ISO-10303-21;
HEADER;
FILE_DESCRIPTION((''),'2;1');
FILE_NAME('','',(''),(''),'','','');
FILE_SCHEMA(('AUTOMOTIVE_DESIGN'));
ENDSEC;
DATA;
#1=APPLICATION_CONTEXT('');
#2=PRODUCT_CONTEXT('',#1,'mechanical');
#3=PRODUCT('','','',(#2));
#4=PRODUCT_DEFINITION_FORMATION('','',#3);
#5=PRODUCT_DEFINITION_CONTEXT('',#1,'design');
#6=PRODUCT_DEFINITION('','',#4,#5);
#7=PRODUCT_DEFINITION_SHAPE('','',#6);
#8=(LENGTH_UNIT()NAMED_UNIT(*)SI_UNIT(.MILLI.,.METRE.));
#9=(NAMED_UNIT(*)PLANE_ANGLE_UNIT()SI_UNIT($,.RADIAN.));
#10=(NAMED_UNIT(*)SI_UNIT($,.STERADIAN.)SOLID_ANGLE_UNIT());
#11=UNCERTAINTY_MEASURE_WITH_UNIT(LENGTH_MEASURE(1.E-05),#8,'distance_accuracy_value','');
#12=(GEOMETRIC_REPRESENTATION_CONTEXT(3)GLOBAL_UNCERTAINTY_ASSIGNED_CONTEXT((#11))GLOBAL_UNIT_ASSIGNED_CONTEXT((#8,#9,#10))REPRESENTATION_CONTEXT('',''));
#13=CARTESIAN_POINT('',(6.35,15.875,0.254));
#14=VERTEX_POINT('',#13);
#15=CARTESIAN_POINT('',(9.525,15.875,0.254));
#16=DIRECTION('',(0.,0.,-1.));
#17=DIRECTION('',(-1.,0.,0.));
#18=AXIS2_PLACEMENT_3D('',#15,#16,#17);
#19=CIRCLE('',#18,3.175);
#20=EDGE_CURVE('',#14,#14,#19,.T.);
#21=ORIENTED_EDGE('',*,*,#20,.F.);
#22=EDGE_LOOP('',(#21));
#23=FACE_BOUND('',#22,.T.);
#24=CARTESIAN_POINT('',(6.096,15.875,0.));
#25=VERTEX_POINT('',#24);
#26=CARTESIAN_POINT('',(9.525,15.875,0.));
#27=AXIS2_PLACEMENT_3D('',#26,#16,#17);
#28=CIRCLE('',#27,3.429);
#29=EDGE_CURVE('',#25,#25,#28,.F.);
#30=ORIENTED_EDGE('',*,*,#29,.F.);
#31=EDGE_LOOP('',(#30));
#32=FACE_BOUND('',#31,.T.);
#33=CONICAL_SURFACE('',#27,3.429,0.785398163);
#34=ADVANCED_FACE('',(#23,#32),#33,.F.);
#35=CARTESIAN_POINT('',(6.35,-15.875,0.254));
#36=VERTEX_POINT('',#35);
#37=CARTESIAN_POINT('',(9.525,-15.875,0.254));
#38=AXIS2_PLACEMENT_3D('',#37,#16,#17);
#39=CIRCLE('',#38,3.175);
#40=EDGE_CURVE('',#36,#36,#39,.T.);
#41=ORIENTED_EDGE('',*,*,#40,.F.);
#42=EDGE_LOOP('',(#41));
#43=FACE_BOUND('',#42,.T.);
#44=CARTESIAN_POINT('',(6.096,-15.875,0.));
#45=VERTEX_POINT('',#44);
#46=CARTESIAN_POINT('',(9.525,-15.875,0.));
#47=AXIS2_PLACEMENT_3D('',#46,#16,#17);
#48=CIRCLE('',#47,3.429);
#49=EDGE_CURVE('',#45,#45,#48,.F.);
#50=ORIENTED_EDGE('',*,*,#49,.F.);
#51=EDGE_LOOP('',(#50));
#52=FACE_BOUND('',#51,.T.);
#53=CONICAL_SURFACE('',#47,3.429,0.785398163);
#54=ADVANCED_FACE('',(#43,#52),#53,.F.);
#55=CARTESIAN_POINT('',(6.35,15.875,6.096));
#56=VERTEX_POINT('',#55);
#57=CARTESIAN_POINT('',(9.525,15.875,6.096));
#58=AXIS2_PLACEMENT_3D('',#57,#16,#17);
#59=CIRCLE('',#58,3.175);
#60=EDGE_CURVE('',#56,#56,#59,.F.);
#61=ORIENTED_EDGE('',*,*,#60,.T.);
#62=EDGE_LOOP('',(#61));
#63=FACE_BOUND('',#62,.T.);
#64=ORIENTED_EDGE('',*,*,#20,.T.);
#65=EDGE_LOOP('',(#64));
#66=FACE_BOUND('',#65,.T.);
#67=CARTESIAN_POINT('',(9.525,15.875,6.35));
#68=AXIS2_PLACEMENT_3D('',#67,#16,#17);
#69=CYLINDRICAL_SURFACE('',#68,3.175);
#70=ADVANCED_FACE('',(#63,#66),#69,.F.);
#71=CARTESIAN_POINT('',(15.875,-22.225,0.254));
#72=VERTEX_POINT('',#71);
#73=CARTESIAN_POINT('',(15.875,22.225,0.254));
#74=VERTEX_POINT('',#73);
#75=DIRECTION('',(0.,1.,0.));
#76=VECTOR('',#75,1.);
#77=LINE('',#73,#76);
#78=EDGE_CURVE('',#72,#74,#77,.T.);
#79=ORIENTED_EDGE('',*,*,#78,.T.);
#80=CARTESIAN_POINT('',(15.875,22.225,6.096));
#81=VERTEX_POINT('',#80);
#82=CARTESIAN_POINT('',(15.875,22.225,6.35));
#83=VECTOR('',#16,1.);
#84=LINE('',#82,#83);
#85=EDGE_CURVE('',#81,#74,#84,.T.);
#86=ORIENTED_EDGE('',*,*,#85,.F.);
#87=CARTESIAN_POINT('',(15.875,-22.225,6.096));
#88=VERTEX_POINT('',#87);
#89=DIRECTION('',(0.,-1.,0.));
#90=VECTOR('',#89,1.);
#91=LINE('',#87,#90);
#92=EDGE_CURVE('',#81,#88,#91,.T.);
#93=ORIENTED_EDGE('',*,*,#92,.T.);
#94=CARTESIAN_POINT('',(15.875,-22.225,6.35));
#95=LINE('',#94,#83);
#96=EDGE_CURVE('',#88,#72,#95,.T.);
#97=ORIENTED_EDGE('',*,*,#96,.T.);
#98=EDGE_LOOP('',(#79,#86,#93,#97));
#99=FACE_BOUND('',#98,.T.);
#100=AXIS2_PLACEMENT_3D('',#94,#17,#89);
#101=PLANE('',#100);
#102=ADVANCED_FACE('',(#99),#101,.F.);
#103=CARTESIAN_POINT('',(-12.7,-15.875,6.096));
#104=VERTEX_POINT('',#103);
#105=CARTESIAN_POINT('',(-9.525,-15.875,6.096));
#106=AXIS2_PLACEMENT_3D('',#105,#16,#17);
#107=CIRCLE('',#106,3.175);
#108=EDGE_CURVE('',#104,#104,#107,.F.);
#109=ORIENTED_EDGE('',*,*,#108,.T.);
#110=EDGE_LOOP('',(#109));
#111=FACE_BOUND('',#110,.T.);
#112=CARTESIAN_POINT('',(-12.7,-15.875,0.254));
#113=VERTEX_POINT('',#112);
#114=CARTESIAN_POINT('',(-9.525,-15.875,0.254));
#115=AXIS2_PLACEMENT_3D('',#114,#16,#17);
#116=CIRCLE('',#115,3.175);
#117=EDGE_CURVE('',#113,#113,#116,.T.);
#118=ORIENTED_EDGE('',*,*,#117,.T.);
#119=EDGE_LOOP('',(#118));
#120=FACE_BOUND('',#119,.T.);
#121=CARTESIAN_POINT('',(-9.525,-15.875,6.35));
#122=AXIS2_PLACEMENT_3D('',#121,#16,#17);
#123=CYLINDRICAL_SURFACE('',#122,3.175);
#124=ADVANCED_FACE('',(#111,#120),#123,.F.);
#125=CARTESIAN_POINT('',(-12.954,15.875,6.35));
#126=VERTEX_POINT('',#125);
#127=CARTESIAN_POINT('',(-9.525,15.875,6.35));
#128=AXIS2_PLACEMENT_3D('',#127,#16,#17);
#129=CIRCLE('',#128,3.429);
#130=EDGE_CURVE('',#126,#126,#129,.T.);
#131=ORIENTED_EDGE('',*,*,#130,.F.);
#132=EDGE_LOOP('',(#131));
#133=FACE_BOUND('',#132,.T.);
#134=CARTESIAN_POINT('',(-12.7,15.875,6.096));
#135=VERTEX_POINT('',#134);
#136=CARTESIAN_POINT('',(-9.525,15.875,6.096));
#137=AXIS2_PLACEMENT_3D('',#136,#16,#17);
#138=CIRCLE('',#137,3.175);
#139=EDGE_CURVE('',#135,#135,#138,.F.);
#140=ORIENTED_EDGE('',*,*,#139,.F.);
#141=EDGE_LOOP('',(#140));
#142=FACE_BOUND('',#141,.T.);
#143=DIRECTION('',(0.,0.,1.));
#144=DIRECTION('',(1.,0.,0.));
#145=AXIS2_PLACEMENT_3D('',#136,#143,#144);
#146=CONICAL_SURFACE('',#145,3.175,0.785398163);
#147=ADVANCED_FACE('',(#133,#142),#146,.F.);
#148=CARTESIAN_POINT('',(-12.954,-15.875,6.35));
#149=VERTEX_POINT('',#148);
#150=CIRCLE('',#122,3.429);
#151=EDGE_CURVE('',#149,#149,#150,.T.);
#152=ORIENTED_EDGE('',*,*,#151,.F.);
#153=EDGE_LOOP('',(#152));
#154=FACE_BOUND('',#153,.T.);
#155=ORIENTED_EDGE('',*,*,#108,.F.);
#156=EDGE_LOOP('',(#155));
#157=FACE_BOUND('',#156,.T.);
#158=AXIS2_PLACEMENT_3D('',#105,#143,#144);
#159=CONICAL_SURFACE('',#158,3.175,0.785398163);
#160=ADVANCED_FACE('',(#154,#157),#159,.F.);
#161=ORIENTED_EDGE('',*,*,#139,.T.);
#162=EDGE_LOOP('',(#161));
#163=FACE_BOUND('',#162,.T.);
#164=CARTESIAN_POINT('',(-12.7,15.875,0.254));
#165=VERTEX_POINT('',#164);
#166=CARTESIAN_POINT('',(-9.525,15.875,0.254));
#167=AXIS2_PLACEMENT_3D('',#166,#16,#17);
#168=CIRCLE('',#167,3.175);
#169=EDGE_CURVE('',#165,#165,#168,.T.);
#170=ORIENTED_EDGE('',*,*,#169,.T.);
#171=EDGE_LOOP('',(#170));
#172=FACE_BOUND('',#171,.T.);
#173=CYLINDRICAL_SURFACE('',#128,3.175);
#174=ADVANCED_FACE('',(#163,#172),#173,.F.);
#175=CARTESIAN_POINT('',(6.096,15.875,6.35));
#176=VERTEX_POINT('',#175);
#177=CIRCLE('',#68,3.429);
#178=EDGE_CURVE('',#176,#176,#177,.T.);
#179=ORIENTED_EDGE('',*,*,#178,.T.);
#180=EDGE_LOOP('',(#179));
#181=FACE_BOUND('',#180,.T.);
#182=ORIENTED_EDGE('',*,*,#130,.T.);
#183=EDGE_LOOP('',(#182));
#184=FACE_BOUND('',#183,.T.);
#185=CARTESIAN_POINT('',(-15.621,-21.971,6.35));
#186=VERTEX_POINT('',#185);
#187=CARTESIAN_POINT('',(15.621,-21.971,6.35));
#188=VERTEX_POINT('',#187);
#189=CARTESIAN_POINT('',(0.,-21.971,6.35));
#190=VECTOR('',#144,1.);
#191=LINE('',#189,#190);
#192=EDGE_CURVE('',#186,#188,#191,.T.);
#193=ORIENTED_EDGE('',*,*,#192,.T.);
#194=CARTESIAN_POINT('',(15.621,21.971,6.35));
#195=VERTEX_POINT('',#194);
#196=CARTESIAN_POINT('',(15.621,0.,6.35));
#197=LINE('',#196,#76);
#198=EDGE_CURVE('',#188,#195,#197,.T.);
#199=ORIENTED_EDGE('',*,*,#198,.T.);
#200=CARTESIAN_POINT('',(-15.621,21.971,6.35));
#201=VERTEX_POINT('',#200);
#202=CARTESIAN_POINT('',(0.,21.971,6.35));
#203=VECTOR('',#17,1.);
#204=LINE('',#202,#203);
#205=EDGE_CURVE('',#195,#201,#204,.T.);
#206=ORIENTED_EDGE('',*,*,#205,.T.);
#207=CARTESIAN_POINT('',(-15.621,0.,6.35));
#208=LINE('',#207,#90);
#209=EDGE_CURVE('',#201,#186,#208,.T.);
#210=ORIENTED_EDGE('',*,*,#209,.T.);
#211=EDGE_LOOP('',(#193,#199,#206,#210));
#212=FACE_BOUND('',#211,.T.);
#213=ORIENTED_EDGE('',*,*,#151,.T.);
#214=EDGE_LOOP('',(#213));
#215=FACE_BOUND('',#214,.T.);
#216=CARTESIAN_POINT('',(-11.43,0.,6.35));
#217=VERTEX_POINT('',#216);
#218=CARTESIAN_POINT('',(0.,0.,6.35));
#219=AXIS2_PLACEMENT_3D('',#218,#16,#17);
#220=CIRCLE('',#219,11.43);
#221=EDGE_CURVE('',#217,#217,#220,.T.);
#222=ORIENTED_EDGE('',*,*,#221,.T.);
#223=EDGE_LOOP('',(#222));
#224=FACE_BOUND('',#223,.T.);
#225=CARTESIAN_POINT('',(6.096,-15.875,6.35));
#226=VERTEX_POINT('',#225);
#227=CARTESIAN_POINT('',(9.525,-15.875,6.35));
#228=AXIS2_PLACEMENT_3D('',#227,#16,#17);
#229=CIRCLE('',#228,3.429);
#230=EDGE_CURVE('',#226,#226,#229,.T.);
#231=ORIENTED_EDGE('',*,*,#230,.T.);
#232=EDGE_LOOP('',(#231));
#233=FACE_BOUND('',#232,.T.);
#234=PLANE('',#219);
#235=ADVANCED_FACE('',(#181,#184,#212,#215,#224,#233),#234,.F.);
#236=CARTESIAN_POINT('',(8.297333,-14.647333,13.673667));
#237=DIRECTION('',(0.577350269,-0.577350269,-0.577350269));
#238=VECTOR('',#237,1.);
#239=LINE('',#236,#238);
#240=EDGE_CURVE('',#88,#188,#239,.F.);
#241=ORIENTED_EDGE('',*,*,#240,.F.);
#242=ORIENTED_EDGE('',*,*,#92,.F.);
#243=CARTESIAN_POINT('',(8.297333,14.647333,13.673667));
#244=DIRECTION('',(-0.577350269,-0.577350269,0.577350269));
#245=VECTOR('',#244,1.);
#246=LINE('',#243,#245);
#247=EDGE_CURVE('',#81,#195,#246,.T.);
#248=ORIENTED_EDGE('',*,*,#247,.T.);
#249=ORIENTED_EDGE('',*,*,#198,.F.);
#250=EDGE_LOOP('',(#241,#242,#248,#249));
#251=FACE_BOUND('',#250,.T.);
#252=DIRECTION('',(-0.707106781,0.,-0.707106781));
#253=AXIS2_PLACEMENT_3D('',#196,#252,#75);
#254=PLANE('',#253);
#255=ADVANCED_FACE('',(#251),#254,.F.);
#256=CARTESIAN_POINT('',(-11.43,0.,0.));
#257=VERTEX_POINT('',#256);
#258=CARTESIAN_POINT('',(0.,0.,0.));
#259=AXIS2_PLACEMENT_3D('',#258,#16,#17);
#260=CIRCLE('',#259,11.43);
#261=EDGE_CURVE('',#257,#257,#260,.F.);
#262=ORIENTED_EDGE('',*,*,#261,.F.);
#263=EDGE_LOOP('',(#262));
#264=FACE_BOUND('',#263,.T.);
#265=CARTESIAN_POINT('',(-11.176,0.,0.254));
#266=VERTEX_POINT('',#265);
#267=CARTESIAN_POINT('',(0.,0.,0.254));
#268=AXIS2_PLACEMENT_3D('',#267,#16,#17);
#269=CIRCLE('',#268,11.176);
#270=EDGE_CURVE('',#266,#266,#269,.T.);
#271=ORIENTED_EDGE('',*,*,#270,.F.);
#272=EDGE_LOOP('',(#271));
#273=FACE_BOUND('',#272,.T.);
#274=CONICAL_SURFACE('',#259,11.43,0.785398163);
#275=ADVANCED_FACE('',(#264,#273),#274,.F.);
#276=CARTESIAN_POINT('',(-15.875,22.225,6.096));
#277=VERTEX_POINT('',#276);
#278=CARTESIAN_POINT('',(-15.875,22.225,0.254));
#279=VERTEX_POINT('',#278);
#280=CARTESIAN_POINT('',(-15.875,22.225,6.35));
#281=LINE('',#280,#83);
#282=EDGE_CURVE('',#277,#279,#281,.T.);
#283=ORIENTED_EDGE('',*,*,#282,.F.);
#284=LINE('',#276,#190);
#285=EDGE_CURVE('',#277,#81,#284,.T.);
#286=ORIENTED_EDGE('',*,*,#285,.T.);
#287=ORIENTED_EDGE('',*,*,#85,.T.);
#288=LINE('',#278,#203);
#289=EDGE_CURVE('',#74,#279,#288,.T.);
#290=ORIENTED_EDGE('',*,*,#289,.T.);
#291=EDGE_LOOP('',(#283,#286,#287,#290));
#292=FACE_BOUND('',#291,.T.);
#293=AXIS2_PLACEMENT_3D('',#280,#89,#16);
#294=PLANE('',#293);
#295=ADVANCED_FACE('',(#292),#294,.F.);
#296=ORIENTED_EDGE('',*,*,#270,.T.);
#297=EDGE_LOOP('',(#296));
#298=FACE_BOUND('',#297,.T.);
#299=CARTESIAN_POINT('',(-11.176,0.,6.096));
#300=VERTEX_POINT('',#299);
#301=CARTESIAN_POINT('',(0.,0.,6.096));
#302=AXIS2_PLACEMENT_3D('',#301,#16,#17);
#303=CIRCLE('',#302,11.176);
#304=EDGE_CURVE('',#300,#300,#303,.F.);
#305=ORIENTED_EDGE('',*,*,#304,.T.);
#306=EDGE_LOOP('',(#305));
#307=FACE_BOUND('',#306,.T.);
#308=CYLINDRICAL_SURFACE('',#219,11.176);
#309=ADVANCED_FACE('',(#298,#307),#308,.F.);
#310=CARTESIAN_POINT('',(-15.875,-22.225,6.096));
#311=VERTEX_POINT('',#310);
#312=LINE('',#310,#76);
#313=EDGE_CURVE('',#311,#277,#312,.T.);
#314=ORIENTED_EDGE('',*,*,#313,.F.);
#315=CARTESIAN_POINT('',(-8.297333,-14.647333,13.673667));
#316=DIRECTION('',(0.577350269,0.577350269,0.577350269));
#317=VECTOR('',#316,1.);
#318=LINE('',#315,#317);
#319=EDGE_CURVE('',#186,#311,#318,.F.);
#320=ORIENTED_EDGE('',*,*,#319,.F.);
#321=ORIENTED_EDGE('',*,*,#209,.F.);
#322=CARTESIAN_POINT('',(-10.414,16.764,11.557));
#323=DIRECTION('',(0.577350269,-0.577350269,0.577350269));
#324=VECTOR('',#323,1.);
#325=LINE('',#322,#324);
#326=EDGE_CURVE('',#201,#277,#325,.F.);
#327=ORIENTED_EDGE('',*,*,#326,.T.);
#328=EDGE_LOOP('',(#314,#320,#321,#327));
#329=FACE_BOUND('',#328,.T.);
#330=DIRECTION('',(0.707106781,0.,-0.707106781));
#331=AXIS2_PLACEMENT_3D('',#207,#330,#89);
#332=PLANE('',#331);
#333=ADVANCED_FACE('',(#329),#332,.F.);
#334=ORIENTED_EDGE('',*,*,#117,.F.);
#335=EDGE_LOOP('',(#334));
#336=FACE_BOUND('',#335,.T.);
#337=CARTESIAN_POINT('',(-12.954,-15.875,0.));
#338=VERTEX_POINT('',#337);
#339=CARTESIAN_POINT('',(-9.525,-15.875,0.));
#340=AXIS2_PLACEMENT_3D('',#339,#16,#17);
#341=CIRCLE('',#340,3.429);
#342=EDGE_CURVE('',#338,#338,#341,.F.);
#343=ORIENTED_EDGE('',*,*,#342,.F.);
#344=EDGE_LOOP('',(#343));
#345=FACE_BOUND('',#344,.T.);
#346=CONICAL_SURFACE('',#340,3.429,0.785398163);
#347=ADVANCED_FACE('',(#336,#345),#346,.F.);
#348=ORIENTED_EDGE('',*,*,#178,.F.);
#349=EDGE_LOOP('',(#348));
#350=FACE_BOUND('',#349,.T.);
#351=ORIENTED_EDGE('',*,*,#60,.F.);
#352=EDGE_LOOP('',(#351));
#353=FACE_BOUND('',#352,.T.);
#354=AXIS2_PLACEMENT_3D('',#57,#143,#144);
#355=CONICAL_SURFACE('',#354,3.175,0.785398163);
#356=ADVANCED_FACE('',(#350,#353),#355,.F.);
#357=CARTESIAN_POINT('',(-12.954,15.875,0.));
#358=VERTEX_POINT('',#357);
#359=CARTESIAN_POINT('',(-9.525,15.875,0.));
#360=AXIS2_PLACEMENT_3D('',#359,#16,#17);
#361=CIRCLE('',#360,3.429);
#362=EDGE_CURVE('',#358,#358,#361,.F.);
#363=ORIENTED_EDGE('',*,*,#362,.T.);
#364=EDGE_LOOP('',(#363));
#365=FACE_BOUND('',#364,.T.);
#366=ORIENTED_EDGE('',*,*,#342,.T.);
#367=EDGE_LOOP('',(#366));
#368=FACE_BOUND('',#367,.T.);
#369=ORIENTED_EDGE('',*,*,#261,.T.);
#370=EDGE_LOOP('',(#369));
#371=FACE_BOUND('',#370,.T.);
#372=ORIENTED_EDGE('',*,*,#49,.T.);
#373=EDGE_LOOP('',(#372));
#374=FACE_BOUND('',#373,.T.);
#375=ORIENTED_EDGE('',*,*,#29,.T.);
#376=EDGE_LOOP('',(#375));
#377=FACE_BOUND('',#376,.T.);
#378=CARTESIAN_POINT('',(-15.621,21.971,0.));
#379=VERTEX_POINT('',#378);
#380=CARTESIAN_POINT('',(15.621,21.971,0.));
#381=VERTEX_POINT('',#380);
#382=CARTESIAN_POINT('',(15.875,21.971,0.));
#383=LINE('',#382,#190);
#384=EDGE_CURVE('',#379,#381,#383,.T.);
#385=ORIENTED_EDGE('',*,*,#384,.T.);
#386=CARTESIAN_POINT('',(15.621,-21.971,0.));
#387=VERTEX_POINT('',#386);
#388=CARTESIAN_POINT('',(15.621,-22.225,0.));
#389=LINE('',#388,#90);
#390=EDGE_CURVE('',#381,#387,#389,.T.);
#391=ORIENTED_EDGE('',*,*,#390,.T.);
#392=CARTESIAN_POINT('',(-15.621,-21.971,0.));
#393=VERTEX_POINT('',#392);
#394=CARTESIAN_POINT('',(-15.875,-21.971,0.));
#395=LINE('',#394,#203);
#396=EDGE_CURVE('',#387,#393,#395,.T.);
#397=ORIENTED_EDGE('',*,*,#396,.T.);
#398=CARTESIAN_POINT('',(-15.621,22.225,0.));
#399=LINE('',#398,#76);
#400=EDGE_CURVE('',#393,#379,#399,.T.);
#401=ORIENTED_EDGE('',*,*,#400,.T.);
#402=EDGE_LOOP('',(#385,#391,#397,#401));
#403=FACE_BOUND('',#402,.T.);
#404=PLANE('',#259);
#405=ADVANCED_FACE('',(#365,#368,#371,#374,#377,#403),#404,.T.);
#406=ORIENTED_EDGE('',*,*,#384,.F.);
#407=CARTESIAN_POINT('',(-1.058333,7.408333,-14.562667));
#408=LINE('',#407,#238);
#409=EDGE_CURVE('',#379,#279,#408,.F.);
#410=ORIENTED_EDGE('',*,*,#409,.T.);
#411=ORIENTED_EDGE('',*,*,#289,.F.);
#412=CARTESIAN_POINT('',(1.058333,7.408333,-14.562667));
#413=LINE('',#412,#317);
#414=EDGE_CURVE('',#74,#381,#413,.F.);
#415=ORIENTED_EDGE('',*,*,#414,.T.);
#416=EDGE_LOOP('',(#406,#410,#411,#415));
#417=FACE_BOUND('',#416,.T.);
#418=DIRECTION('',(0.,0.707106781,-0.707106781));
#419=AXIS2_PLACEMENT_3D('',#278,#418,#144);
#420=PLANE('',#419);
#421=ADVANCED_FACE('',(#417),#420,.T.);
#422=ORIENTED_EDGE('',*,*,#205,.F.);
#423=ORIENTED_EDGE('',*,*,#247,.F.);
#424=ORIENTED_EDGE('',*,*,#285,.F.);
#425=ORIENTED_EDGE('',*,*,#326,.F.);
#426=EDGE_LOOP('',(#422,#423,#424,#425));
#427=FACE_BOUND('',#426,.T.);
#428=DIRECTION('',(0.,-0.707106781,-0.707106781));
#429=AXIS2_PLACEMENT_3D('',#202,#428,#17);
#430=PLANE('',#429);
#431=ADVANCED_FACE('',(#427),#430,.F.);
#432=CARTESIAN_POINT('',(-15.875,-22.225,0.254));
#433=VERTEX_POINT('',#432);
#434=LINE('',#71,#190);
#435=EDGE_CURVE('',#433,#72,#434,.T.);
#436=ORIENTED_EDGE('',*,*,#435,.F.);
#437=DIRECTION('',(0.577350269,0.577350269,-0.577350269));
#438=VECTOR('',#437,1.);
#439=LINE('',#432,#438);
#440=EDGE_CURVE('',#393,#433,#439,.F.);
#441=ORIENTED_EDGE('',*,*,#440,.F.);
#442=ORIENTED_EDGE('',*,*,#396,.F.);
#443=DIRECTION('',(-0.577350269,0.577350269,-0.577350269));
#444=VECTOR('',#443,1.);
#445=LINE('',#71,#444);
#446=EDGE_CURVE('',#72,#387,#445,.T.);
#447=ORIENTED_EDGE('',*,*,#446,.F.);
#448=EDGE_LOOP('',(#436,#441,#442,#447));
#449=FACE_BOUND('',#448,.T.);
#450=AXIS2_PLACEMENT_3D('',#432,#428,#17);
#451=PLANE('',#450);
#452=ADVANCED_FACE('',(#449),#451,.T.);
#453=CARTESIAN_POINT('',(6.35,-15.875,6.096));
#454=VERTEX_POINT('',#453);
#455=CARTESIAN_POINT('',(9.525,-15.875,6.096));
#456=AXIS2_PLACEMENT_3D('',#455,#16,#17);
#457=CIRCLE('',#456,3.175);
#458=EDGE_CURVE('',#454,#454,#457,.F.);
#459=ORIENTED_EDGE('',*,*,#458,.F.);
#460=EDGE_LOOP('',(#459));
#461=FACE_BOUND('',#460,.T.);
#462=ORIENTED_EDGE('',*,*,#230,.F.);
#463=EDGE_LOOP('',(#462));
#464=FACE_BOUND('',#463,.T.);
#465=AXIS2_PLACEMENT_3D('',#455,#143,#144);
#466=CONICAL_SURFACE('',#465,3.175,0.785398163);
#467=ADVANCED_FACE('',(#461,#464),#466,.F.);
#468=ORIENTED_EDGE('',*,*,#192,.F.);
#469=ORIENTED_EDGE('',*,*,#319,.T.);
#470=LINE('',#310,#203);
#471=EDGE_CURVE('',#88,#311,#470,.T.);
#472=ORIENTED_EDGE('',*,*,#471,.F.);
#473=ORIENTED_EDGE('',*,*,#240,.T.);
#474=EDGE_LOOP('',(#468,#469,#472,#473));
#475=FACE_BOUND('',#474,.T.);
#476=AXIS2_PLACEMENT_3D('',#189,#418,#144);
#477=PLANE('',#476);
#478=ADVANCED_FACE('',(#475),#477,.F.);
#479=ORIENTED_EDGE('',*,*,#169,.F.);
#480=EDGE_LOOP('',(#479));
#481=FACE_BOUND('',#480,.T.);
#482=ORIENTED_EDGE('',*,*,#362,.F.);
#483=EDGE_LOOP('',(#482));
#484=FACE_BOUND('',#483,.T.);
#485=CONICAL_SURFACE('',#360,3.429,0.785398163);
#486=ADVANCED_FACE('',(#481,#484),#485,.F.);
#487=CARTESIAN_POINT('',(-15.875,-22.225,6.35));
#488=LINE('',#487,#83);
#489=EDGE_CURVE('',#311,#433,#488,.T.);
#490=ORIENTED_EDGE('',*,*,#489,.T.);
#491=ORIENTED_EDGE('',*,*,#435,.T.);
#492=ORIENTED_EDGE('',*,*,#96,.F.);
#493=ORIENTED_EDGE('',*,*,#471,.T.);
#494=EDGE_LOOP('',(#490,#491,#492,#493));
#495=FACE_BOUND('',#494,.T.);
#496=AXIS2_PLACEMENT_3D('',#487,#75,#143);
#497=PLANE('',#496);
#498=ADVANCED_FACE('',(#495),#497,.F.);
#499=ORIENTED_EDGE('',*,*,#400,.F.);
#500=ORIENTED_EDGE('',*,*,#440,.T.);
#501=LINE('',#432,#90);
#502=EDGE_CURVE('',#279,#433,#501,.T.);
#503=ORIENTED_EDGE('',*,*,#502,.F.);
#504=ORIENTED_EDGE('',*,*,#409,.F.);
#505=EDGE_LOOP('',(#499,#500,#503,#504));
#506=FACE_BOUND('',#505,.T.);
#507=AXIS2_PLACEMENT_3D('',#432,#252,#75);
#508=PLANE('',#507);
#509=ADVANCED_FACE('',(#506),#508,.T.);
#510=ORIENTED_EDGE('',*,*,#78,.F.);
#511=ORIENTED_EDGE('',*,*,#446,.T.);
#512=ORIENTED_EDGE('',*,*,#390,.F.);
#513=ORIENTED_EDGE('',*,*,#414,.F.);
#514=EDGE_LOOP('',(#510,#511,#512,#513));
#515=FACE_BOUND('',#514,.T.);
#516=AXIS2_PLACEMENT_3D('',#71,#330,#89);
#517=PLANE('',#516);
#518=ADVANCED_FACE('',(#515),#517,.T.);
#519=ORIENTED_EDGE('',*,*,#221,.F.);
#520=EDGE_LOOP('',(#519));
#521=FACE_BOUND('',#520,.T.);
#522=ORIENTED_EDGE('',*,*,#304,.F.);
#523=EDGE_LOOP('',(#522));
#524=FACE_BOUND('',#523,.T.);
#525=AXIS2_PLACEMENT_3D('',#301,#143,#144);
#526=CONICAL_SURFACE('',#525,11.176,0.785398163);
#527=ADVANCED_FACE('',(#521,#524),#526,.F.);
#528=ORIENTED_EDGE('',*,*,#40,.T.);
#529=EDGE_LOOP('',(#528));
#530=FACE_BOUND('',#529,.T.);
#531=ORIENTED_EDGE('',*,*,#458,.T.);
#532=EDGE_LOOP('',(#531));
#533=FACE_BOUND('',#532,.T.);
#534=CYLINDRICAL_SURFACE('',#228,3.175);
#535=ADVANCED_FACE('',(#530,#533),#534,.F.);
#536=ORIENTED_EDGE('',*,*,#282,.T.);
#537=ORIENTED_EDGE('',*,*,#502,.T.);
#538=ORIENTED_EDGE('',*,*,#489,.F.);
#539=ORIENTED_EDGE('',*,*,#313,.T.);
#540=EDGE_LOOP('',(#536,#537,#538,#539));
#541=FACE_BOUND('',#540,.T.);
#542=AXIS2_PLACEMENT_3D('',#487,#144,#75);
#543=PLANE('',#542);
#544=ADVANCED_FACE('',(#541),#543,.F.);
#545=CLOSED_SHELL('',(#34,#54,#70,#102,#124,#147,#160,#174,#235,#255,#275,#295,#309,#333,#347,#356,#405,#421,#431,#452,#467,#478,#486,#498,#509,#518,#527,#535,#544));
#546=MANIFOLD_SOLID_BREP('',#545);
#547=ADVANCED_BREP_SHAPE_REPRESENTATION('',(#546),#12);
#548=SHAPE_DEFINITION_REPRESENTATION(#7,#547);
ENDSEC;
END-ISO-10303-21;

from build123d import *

# Parameters (mm, degrees)
SKETCH1_W           = 31.75
SKETCH1_H           = 44.45
SKETCH1_R           = 3.175
SKETCH1_R_2         = 11.176
BOSS_EXTRUDE1_DEPTH = 6.35
CHAMFER1_SIZE       = 0.254


with BuildPart() as part:
    # Sketch1 → Boss-Extrude1 (new body)
    with BuildSketch(Plane.XY):
        Rectangle(SKETCH1_W, SKETCH1_H)
        with Locations((-9.525, 15.875)):
            Circle(SKETCH1_R, mode=Mode.SUBTRACT)
        with Locations((9.525, 15.875)):
            Circle(SKETCH1_R, mode=Mode.SUBTRACT)
        with Locations((-9.525, -15.875)):
            Circle(SKETCH1_R, mode=Mode.SUBTRACT)
        with Locations((9.525, -15.875)):
            Circle(SKETCH1_R, mode=Mode.SUBTRACT)
        Circle(SKETCH1_R_2, mode=Mode.SUBTRACT)
    extrude(amount=BOSS_EXTRUDE1_DEPTH)

    # Chamfer1
    chamfer1_edges = [part.edges().sort_by_distance(p)[0] for p in [
        (-15.875, 0, 6.35),
        (-12.7, 15.875, 0),
        (-12.7, 15.875, 6.35),
        (0, -22.225, 6.35),
        (6.35, 15.875, 0),
        (6.35, 15.875, 6.35),
        (-12.7, -15.875, 0),
        (-12.7, -15.875, 6.35),
        (6.35, -15.875, 0),
        (6.35, -15.875, 6.35),
        (-11.176, 0, 0),
        (-11.176, 0, 6.35),
        (15.875, 0, 6.35),
        (0, -22.225, 0),
        (-15.875, 0, 0),
        (0, 22.225, 0),
        (15.875, 0, 0),
        (0, 22.225, 6.35),
    ]]
    chamfer(chamfer1_edges, length=CHAMFER1_SIZE)


solid = part.part
